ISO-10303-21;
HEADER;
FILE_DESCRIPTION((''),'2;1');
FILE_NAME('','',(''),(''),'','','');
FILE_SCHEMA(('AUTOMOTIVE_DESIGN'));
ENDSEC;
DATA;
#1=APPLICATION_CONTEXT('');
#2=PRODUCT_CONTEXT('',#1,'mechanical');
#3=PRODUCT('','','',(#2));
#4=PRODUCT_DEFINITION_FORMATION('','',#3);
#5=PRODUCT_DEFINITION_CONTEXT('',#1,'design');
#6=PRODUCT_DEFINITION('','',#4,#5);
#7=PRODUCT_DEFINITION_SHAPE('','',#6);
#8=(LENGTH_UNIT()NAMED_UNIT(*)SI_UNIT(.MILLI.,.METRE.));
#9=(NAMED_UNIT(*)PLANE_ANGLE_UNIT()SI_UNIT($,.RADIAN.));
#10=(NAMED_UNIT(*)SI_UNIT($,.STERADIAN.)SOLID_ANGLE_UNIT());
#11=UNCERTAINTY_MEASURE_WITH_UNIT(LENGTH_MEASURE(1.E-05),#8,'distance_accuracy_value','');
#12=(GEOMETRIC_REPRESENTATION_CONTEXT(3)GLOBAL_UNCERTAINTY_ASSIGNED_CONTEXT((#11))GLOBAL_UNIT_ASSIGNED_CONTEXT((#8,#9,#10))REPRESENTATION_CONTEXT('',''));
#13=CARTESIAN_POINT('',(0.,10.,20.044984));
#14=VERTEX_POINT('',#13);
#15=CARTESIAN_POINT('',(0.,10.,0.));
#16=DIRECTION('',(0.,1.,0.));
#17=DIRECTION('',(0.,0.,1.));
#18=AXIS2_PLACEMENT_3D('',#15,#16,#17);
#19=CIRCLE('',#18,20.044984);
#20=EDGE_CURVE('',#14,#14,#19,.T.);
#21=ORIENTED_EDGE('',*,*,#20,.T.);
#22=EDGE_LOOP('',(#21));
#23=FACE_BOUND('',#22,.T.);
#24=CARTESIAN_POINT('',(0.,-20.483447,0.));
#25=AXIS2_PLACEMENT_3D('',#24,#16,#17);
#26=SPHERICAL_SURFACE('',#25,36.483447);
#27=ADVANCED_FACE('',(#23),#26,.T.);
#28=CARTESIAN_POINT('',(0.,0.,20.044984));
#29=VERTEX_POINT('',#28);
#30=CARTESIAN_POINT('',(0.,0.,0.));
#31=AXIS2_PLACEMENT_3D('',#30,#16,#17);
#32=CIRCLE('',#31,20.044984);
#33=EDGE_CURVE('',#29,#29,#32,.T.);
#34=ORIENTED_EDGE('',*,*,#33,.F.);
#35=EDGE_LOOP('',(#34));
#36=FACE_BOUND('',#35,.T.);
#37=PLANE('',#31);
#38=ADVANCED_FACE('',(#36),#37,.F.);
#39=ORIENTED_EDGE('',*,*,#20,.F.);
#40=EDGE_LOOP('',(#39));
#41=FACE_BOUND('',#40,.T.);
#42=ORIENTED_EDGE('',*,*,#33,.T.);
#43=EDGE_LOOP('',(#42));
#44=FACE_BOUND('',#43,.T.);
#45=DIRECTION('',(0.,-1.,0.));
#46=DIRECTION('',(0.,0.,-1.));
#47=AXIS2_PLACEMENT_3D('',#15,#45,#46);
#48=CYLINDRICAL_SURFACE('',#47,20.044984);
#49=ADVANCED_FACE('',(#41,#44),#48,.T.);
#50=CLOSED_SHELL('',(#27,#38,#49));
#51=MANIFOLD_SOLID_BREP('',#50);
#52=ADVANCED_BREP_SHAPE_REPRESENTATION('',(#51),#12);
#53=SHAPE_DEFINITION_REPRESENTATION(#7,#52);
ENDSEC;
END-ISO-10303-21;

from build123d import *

# Parameters (mm, degrees)
SKIZZE1_R                       = 20.044983551
AUFSATZ_LINEAR_AUSTRAGEN1_DEPTH = 10
KUPPEL1_FACE_RADIUS             = 20.044983551
KUPPEL1_HEIGHT                  = 6


with BuildPart() as part:
    # Skizze1 → Aufsatz-Linear austragen1 (new body)
    with BuildSketch(Plane(origin=(0, 0, 0), x_dir=(1, 0, 0), z_dir=(0, 1, 0))):
        with Locations(Location((0, 0, 0), (0, 0, 270))):  # turned: the seam where the file's is
            Circle(SKIZZE1_R)
    extrude(amount=AUFSATZ_LINEAR_AUSTRAGEN1_DEPTH)

    # Kuppel1: a dome of height H over a round flat face of radius A is a cap of a sphere of radius (A * A + H * H) / (2 * H)
    kuppel1_r = (KUPPEL1_FACE_RADIUS * KUPPEL1_FACE_RADIUS + KUPPEL1_HEIGHT * KUPPEL1_HEIGHT) / (2 * KUPPEL1_HEIGHT)
    kuppel1_base = Plane((0, 10, 0), z_dir=(0, 1, 0))
    with Locations(kuppel1_base.offset(KUPPEL1_HEIGHT - kuppel1_r)):
        kuppel1_ball = Sphere(kuppel1_r, mode=Mode.PRIVATE)
    add(split(kuppel1_ball, bisect_by=kuppel1_base, keep=Keep.TOP, mode=Mode.PRIVATE))


solid = part.part
